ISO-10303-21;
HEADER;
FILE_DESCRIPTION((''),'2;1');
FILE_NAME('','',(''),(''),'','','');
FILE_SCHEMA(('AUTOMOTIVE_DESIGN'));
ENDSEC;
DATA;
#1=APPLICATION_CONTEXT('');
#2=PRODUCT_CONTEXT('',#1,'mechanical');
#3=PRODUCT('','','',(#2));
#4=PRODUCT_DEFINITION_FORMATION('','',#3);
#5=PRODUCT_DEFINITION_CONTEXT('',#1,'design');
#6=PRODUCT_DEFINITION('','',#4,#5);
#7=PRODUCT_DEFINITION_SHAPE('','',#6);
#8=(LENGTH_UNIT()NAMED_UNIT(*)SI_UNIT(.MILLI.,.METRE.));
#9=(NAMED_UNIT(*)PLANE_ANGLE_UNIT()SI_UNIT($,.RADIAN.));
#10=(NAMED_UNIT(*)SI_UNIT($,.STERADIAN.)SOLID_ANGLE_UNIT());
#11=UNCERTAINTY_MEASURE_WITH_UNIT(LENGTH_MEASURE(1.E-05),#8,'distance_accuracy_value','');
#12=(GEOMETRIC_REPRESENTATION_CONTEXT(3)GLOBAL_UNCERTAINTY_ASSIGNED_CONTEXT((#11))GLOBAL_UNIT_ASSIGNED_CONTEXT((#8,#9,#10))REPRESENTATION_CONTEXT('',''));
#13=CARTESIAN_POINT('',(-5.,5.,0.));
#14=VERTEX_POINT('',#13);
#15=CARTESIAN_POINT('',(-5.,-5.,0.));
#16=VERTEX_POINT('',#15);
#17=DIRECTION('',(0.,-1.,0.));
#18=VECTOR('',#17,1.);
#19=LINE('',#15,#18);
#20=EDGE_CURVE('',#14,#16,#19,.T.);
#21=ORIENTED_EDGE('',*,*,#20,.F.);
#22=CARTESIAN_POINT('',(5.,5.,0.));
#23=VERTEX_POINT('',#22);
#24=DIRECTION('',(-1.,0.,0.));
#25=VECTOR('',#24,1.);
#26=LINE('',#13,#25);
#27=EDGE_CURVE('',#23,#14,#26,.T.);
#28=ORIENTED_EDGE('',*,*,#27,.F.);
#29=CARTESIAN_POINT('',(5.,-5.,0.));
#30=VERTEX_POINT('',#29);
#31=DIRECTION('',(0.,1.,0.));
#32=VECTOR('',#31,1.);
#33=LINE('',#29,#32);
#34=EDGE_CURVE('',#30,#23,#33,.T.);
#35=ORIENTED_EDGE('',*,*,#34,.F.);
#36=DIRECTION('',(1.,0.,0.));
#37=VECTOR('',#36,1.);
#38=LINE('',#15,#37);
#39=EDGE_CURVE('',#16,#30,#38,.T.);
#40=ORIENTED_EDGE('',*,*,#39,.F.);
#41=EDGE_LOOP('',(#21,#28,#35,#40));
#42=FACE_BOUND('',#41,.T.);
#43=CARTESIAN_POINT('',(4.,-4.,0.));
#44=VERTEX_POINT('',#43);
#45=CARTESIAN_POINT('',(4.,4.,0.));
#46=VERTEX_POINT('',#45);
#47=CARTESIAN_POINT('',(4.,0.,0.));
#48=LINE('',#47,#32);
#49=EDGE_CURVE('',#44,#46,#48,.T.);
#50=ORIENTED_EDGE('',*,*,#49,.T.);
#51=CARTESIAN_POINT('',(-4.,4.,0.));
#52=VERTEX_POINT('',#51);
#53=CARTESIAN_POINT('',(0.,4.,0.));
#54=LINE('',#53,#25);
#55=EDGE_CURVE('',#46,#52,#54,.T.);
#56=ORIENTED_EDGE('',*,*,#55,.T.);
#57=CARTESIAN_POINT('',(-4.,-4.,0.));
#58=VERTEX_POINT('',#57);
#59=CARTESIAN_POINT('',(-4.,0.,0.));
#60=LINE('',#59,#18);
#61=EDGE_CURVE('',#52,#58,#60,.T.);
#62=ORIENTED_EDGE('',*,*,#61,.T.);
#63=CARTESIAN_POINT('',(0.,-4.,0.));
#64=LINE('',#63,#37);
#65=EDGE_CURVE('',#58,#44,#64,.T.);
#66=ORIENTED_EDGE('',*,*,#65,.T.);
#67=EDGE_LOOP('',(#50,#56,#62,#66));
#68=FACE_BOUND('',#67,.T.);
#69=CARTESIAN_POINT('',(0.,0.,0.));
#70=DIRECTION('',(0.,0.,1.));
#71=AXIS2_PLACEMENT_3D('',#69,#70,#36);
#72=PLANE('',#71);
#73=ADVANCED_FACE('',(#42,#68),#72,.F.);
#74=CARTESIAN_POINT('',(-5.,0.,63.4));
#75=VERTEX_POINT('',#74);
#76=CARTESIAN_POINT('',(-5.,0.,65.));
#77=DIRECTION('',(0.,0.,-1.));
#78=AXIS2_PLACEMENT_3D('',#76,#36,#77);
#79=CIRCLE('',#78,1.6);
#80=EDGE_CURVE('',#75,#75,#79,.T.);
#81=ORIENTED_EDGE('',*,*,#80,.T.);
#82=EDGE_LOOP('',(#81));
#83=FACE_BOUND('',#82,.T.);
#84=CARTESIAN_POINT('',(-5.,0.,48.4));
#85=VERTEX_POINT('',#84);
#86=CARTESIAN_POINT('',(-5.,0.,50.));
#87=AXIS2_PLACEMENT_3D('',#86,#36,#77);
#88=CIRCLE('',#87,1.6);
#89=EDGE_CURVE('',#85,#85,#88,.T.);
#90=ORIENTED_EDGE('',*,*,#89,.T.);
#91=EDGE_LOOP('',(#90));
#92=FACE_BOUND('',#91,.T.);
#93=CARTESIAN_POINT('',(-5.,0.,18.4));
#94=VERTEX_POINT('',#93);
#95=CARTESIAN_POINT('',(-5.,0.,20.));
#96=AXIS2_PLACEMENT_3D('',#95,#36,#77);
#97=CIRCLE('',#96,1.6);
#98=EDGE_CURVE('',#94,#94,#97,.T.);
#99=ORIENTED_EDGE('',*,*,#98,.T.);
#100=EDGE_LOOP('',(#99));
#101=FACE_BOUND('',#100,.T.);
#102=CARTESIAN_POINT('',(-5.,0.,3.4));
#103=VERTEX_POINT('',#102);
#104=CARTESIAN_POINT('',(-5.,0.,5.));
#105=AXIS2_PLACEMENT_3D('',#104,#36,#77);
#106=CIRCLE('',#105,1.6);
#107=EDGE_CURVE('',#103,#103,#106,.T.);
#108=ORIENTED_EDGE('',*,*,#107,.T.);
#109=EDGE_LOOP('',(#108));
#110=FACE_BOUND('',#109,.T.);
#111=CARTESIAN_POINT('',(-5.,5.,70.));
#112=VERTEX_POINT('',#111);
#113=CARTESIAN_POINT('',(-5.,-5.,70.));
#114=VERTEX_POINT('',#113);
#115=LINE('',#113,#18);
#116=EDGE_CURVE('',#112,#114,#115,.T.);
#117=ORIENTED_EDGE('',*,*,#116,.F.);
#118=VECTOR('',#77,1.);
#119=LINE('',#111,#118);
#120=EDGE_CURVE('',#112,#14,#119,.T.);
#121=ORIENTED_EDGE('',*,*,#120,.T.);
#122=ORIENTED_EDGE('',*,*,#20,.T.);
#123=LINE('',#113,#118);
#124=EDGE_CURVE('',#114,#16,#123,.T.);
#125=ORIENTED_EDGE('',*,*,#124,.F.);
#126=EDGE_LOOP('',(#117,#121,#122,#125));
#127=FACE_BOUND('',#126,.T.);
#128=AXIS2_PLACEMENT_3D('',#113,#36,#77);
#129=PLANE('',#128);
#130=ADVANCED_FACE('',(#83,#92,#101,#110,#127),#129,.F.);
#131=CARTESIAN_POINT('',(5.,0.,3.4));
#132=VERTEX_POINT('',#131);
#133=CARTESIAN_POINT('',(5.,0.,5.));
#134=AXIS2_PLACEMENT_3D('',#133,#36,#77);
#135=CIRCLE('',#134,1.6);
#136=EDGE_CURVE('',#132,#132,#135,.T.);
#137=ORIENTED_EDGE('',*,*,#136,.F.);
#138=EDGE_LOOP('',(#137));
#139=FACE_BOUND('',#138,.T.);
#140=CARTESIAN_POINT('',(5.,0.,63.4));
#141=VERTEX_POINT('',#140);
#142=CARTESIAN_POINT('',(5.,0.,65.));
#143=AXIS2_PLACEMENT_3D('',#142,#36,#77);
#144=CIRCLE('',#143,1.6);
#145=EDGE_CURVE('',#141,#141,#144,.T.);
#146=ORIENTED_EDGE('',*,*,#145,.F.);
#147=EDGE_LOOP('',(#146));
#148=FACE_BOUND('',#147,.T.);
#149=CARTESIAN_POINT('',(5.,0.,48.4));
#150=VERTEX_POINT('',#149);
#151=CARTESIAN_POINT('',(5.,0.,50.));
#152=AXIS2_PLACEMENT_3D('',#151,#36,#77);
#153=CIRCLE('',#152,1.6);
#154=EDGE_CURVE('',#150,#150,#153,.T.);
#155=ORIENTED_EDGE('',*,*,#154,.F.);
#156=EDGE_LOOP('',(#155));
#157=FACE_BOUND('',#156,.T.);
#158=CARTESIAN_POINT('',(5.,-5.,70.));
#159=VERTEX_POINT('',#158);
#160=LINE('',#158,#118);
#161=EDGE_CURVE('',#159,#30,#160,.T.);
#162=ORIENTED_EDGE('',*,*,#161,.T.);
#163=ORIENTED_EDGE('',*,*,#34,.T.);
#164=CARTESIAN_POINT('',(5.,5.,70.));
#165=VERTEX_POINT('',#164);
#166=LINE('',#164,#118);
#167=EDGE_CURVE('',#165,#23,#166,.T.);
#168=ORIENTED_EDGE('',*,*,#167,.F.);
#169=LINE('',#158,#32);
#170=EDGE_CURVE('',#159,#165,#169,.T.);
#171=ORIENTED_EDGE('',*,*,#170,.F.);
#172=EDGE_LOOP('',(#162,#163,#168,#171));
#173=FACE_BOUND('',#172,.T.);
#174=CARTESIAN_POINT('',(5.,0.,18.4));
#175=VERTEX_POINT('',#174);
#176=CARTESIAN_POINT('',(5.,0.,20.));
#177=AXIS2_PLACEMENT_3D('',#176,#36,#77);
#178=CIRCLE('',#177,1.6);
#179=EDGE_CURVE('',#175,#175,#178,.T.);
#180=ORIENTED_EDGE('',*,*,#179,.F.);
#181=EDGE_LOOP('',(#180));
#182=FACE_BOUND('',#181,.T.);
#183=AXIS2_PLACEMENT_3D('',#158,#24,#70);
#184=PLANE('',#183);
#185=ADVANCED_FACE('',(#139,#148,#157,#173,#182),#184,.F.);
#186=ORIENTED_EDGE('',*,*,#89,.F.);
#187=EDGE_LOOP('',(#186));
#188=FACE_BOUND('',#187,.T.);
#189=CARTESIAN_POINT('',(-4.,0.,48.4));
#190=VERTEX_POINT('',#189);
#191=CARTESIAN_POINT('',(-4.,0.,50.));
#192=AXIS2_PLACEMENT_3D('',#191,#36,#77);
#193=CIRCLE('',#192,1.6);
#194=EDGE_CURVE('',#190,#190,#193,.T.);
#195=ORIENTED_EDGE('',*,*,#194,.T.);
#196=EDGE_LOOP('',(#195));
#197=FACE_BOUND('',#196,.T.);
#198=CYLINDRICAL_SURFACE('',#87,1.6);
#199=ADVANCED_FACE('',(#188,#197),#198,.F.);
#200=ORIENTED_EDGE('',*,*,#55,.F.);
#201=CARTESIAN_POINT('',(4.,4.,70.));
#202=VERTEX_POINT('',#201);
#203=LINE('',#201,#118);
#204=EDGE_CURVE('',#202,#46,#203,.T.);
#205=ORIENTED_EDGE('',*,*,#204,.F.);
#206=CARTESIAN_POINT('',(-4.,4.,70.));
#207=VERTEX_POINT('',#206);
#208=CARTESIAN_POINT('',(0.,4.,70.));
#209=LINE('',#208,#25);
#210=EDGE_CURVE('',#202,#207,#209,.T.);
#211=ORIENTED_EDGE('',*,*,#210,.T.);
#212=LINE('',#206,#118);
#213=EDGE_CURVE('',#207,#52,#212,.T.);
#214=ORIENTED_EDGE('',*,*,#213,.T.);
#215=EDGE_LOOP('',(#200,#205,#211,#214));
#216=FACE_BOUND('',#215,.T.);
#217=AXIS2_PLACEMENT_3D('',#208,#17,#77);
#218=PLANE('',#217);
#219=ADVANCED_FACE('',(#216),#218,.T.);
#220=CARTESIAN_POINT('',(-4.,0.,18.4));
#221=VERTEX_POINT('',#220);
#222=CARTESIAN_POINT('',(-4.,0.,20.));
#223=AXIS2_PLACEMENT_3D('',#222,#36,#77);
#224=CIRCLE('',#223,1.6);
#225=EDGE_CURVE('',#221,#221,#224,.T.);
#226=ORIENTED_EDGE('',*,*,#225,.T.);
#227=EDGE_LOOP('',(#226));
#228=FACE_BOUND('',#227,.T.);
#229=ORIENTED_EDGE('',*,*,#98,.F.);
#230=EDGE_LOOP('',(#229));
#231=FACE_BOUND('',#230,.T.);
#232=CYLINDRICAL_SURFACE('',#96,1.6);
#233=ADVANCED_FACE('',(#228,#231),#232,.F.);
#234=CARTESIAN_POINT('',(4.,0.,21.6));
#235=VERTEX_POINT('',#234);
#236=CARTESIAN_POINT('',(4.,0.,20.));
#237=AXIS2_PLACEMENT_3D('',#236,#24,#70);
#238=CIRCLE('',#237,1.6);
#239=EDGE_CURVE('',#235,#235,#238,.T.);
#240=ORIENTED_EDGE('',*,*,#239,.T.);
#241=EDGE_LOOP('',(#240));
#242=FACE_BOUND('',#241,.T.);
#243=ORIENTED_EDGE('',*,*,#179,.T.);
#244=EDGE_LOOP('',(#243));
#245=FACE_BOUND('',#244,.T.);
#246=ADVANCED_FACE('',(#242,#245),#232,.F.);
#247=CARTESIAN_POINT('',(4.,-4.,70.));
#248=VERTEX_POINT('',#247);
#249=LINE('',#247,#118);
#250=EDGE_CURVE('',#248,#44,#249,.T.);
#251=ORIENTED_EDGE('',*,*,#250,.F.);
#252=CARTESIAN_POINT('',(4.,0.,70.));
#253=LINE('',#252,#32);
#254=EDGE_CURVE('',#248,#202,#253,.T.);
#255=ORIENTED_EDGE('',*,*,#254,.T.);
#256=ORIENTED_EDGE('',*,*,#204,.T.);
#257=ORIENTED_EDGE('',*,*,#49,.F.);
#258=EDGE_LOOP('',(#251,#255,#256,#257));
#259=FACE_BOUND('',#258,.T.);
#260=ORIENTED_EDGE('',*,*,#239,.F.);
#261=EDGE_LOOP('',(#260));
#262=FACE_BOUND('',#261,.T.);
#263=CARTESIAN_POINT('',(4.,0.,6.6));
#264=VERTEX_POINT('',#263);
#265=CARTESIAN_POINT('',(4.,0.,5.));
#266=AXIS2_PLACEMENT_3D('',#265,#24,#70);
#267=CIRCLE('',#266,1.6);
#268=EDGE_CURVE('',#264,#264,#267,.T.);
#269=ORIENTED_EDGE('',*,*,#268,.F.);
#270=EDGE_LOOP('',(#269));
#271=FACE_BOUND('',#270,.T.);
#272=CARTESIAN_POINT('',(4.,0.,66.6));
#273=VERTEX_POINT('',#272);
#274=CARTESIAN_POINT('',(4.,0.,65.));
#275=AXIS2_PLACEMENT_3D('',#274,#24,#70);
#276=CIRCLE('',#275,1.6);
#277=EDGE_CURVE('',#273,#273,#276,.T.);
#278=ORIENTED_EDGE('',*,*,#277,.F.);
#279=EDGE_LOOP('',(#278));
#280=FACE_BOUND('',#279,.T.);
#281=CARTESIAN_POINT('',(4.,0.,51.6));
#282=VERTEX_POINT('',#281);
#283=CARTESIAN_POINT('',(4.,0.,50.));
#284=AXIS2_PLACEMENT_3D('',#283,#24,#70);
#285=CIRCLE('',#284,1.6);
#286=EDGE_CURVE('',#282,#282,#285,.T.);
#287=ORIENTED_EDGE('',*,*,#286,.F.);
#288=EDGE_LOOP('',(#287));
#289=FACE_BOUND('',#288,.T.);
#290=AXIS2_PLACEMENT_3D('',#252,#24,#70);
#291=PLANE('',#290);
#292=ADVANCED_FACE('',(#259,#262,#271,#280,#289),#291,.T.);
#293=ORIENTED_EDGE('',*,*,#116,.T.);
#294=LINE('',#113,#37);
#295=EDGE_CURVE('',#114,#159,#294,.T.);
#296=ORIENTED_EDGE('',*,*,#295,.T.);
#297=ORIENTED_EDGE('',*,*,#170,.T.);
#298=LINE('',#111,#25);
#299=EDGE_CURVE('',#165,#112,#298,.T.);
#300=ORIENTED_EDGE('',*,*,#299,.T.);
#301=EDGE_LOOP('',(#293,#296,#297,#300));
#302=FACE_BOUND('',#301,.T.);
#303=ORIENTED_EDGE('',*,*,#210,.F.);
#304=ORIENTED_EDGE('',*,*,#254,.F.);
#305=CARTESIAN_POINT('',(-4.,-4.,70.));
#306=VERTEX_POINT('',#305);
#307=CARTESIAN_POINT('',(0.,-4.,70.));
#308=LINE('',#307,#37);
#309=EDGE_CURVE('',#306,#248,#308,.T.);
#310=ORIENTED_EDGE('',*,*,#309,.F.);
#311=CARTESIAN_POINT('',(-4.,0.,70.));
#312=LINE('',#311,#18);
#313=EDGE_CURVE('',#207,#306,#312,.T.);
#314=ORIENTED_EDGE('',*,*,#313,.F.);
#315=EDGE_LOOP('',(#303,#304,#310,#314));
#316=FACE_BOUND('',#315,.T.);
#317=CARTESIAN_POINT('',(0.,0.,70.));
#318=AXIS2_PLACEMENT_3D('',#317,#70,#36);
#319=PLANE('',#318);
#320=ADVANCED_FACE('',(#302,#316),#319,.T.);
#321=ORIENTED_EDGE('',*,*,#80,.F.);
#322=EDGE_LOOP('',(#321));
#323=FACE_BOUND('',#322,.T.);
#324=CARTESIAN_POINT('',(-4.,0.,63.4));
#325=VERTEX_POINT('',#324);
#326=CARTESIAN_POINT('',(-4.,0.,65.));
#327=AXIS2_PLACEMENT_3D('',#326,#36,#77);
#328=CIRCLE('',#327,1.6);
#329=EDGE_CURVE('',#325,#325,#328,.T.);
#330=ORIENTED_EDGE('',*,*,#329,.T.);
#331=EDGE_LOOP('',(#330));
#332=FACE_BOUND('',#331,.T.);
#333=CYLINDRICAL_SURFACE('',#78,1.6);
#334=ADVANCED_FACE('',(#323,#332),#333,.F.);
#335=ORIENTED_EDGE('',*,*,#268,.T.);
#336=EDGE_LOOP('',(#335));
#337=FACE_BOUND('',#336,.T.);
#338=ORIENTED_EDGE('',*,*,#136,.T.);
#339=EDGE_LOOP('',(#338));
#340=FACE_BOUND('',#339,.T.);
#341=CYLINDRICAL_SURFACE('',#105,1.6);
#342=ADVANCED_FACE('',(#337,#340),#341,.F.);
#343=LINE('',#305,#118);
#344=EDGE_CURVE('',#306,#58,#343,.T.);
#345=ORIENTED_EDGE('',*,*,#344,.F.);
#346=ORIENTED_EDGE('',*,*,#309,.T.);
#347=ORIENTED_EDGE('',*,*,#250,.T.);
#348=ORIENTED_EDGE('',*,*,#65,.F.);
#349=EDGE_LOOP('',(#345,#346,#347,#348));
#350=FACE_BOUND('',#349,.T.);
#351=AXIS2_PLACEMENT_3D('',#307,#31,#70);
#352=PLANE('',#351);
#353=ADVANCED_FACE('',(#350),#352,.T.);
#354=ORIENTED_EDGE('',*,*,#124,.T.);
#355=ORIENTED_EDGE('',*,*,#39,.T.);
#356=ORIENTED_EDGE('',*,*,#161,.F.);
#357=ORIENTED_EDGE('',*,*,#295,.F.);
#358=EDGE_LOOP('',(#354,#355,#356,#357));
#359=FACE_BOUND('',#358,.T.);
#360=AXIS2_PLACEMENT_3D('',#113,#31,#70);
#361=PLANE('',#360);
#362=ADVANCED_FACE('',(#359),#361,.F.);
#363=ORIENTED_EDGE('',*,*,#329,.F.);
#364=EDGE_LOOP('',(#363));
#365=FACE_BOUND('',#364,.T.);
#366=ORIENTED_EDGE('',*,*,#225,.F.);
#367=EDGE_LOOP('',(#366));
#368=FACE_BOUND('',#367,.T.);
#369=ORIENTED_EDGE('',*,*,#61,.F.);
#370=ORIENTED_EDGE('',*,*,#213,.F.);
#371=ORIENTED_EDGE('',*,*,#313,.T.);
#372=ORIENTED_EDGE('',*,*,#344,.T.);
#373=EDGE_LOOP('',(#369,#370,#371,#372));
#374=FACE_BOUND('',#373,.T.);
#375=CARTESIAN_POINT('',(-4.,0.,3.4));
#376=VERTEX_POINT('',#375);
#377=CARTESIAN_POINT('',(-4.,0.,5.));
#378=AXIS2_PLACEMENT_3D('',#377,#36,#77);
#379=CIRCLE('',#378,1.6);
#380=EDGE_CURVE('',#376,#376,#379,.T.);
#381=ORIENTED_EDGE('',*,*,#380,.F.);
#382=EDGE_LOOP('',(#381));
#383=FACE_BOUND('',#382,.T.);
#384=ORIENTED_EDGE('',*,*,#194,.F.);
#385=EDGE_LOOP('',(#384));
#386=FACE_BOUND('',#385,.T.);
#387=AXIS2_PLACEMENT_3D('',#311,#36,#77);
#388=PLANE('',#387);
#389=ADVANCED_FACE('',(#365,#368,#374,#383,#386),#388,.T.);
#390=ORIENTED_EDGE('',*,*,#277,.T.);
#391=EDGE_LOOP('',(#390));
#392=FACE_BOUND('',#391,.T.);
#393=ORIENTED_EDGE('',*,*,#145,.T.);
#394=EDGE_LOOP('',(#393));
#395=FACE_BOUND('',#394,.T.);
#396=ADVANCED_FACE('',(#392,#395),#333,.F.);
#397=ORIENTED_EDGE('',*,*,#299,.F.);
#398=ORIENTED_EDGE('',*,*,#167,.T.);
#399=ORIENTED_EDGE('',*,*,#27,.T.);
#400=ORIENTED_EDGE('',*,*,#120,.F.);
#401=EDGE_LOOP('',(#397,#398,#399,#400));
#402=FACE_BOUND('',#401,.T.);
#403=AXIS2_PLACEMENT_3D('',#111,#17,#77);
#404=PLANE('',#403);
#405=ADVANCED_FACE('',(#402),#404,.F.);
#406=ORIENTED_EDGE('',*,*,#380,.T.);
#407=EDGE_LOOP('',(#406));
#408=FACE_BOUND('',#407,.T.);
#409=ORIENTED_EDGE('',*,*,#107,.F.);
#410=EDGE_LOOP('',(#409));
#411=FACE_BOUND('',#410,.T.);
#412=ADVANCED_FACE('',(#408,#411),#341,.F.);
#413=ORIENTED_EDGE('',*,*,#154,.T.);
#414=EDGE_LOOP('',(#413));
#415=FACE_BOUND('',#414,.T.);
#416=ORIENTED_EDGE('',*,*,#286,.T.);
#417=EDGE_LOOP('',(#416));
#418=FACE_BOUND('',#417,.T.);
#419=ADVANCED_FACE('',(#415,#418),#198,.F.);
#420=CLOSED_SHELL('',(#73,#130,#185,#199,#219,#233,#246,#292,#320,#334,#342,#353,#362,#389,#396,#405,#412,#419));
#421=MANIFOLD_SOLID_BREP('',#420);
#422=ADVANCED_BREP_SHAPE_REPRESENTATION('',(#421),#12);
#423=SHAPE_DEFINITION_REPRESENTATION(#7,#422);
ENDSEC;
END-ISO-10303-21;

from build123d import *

# Parameters (mm, degrees)
SKETCH_1_W          = 10
SKETCH_1_H          = 10
SKETCH_1_W_2        = 8
SKETCH_1_H_2        = 8
EXTRUDE_1_DEPTH     = 70
SKETCH_2_R          = 1.6
CUT_EXTRUDE_1_DEPTH = 71.887234394
SKETCH_3_R          = 1.6
CUT_EXTRUDE_2_DEPTH = 71.887234394


with BuildPart() as part:
    # ｽｹｯﾁ1 → 押し出し-薄板1 (new body)
    with BuildSketch(Plane.XY):
        Rectangle(SKETCH_1_W, SKETCH_1_H)
        Rectangle(SKETCH_1_W_2, SKETCH_1_H_2, mode=Mode.SUBTRACT)
    extrude(amount=EXTRUDE_1_DEPTH)

    # ｽｹｯﾁ2 → ｶｯﾄ - 押し出し1 (cut, through all)
    with BuildSketch(Plane(origin=(5, 0, 0), x_dir=(0, 0, -1), z_dir=(1, 0, 0))):
        with Locations((-65, 0)):
            Circle(SKETCH_2_R)
        with Locations((-5, 0)):
            Circle(SKETCH_2_R)
        with Locations((-20, 0)):
            Circle(SKETCH_2_R)
    extrude(amount=-CUT_EXTRUDE_1_DEPTH, mode=Mode.SUBTRACT)

    # ｽｹｯﾁ3 → ｶｯﾄ - 押し出し2 (cut, through all)
    with BuildSketch(Plane(origin=(5, 0, 0), x_dir=(0, 0, -1), z_dir=(1, 0, 0))):
        with Locations((-50, 0)):
            Circle(SKETCH_3_R)
    extrude(amount=-CUT_EXTRUDE_2_DEPTH, mode=Mode.SUBTRACT)


solid = part.part
